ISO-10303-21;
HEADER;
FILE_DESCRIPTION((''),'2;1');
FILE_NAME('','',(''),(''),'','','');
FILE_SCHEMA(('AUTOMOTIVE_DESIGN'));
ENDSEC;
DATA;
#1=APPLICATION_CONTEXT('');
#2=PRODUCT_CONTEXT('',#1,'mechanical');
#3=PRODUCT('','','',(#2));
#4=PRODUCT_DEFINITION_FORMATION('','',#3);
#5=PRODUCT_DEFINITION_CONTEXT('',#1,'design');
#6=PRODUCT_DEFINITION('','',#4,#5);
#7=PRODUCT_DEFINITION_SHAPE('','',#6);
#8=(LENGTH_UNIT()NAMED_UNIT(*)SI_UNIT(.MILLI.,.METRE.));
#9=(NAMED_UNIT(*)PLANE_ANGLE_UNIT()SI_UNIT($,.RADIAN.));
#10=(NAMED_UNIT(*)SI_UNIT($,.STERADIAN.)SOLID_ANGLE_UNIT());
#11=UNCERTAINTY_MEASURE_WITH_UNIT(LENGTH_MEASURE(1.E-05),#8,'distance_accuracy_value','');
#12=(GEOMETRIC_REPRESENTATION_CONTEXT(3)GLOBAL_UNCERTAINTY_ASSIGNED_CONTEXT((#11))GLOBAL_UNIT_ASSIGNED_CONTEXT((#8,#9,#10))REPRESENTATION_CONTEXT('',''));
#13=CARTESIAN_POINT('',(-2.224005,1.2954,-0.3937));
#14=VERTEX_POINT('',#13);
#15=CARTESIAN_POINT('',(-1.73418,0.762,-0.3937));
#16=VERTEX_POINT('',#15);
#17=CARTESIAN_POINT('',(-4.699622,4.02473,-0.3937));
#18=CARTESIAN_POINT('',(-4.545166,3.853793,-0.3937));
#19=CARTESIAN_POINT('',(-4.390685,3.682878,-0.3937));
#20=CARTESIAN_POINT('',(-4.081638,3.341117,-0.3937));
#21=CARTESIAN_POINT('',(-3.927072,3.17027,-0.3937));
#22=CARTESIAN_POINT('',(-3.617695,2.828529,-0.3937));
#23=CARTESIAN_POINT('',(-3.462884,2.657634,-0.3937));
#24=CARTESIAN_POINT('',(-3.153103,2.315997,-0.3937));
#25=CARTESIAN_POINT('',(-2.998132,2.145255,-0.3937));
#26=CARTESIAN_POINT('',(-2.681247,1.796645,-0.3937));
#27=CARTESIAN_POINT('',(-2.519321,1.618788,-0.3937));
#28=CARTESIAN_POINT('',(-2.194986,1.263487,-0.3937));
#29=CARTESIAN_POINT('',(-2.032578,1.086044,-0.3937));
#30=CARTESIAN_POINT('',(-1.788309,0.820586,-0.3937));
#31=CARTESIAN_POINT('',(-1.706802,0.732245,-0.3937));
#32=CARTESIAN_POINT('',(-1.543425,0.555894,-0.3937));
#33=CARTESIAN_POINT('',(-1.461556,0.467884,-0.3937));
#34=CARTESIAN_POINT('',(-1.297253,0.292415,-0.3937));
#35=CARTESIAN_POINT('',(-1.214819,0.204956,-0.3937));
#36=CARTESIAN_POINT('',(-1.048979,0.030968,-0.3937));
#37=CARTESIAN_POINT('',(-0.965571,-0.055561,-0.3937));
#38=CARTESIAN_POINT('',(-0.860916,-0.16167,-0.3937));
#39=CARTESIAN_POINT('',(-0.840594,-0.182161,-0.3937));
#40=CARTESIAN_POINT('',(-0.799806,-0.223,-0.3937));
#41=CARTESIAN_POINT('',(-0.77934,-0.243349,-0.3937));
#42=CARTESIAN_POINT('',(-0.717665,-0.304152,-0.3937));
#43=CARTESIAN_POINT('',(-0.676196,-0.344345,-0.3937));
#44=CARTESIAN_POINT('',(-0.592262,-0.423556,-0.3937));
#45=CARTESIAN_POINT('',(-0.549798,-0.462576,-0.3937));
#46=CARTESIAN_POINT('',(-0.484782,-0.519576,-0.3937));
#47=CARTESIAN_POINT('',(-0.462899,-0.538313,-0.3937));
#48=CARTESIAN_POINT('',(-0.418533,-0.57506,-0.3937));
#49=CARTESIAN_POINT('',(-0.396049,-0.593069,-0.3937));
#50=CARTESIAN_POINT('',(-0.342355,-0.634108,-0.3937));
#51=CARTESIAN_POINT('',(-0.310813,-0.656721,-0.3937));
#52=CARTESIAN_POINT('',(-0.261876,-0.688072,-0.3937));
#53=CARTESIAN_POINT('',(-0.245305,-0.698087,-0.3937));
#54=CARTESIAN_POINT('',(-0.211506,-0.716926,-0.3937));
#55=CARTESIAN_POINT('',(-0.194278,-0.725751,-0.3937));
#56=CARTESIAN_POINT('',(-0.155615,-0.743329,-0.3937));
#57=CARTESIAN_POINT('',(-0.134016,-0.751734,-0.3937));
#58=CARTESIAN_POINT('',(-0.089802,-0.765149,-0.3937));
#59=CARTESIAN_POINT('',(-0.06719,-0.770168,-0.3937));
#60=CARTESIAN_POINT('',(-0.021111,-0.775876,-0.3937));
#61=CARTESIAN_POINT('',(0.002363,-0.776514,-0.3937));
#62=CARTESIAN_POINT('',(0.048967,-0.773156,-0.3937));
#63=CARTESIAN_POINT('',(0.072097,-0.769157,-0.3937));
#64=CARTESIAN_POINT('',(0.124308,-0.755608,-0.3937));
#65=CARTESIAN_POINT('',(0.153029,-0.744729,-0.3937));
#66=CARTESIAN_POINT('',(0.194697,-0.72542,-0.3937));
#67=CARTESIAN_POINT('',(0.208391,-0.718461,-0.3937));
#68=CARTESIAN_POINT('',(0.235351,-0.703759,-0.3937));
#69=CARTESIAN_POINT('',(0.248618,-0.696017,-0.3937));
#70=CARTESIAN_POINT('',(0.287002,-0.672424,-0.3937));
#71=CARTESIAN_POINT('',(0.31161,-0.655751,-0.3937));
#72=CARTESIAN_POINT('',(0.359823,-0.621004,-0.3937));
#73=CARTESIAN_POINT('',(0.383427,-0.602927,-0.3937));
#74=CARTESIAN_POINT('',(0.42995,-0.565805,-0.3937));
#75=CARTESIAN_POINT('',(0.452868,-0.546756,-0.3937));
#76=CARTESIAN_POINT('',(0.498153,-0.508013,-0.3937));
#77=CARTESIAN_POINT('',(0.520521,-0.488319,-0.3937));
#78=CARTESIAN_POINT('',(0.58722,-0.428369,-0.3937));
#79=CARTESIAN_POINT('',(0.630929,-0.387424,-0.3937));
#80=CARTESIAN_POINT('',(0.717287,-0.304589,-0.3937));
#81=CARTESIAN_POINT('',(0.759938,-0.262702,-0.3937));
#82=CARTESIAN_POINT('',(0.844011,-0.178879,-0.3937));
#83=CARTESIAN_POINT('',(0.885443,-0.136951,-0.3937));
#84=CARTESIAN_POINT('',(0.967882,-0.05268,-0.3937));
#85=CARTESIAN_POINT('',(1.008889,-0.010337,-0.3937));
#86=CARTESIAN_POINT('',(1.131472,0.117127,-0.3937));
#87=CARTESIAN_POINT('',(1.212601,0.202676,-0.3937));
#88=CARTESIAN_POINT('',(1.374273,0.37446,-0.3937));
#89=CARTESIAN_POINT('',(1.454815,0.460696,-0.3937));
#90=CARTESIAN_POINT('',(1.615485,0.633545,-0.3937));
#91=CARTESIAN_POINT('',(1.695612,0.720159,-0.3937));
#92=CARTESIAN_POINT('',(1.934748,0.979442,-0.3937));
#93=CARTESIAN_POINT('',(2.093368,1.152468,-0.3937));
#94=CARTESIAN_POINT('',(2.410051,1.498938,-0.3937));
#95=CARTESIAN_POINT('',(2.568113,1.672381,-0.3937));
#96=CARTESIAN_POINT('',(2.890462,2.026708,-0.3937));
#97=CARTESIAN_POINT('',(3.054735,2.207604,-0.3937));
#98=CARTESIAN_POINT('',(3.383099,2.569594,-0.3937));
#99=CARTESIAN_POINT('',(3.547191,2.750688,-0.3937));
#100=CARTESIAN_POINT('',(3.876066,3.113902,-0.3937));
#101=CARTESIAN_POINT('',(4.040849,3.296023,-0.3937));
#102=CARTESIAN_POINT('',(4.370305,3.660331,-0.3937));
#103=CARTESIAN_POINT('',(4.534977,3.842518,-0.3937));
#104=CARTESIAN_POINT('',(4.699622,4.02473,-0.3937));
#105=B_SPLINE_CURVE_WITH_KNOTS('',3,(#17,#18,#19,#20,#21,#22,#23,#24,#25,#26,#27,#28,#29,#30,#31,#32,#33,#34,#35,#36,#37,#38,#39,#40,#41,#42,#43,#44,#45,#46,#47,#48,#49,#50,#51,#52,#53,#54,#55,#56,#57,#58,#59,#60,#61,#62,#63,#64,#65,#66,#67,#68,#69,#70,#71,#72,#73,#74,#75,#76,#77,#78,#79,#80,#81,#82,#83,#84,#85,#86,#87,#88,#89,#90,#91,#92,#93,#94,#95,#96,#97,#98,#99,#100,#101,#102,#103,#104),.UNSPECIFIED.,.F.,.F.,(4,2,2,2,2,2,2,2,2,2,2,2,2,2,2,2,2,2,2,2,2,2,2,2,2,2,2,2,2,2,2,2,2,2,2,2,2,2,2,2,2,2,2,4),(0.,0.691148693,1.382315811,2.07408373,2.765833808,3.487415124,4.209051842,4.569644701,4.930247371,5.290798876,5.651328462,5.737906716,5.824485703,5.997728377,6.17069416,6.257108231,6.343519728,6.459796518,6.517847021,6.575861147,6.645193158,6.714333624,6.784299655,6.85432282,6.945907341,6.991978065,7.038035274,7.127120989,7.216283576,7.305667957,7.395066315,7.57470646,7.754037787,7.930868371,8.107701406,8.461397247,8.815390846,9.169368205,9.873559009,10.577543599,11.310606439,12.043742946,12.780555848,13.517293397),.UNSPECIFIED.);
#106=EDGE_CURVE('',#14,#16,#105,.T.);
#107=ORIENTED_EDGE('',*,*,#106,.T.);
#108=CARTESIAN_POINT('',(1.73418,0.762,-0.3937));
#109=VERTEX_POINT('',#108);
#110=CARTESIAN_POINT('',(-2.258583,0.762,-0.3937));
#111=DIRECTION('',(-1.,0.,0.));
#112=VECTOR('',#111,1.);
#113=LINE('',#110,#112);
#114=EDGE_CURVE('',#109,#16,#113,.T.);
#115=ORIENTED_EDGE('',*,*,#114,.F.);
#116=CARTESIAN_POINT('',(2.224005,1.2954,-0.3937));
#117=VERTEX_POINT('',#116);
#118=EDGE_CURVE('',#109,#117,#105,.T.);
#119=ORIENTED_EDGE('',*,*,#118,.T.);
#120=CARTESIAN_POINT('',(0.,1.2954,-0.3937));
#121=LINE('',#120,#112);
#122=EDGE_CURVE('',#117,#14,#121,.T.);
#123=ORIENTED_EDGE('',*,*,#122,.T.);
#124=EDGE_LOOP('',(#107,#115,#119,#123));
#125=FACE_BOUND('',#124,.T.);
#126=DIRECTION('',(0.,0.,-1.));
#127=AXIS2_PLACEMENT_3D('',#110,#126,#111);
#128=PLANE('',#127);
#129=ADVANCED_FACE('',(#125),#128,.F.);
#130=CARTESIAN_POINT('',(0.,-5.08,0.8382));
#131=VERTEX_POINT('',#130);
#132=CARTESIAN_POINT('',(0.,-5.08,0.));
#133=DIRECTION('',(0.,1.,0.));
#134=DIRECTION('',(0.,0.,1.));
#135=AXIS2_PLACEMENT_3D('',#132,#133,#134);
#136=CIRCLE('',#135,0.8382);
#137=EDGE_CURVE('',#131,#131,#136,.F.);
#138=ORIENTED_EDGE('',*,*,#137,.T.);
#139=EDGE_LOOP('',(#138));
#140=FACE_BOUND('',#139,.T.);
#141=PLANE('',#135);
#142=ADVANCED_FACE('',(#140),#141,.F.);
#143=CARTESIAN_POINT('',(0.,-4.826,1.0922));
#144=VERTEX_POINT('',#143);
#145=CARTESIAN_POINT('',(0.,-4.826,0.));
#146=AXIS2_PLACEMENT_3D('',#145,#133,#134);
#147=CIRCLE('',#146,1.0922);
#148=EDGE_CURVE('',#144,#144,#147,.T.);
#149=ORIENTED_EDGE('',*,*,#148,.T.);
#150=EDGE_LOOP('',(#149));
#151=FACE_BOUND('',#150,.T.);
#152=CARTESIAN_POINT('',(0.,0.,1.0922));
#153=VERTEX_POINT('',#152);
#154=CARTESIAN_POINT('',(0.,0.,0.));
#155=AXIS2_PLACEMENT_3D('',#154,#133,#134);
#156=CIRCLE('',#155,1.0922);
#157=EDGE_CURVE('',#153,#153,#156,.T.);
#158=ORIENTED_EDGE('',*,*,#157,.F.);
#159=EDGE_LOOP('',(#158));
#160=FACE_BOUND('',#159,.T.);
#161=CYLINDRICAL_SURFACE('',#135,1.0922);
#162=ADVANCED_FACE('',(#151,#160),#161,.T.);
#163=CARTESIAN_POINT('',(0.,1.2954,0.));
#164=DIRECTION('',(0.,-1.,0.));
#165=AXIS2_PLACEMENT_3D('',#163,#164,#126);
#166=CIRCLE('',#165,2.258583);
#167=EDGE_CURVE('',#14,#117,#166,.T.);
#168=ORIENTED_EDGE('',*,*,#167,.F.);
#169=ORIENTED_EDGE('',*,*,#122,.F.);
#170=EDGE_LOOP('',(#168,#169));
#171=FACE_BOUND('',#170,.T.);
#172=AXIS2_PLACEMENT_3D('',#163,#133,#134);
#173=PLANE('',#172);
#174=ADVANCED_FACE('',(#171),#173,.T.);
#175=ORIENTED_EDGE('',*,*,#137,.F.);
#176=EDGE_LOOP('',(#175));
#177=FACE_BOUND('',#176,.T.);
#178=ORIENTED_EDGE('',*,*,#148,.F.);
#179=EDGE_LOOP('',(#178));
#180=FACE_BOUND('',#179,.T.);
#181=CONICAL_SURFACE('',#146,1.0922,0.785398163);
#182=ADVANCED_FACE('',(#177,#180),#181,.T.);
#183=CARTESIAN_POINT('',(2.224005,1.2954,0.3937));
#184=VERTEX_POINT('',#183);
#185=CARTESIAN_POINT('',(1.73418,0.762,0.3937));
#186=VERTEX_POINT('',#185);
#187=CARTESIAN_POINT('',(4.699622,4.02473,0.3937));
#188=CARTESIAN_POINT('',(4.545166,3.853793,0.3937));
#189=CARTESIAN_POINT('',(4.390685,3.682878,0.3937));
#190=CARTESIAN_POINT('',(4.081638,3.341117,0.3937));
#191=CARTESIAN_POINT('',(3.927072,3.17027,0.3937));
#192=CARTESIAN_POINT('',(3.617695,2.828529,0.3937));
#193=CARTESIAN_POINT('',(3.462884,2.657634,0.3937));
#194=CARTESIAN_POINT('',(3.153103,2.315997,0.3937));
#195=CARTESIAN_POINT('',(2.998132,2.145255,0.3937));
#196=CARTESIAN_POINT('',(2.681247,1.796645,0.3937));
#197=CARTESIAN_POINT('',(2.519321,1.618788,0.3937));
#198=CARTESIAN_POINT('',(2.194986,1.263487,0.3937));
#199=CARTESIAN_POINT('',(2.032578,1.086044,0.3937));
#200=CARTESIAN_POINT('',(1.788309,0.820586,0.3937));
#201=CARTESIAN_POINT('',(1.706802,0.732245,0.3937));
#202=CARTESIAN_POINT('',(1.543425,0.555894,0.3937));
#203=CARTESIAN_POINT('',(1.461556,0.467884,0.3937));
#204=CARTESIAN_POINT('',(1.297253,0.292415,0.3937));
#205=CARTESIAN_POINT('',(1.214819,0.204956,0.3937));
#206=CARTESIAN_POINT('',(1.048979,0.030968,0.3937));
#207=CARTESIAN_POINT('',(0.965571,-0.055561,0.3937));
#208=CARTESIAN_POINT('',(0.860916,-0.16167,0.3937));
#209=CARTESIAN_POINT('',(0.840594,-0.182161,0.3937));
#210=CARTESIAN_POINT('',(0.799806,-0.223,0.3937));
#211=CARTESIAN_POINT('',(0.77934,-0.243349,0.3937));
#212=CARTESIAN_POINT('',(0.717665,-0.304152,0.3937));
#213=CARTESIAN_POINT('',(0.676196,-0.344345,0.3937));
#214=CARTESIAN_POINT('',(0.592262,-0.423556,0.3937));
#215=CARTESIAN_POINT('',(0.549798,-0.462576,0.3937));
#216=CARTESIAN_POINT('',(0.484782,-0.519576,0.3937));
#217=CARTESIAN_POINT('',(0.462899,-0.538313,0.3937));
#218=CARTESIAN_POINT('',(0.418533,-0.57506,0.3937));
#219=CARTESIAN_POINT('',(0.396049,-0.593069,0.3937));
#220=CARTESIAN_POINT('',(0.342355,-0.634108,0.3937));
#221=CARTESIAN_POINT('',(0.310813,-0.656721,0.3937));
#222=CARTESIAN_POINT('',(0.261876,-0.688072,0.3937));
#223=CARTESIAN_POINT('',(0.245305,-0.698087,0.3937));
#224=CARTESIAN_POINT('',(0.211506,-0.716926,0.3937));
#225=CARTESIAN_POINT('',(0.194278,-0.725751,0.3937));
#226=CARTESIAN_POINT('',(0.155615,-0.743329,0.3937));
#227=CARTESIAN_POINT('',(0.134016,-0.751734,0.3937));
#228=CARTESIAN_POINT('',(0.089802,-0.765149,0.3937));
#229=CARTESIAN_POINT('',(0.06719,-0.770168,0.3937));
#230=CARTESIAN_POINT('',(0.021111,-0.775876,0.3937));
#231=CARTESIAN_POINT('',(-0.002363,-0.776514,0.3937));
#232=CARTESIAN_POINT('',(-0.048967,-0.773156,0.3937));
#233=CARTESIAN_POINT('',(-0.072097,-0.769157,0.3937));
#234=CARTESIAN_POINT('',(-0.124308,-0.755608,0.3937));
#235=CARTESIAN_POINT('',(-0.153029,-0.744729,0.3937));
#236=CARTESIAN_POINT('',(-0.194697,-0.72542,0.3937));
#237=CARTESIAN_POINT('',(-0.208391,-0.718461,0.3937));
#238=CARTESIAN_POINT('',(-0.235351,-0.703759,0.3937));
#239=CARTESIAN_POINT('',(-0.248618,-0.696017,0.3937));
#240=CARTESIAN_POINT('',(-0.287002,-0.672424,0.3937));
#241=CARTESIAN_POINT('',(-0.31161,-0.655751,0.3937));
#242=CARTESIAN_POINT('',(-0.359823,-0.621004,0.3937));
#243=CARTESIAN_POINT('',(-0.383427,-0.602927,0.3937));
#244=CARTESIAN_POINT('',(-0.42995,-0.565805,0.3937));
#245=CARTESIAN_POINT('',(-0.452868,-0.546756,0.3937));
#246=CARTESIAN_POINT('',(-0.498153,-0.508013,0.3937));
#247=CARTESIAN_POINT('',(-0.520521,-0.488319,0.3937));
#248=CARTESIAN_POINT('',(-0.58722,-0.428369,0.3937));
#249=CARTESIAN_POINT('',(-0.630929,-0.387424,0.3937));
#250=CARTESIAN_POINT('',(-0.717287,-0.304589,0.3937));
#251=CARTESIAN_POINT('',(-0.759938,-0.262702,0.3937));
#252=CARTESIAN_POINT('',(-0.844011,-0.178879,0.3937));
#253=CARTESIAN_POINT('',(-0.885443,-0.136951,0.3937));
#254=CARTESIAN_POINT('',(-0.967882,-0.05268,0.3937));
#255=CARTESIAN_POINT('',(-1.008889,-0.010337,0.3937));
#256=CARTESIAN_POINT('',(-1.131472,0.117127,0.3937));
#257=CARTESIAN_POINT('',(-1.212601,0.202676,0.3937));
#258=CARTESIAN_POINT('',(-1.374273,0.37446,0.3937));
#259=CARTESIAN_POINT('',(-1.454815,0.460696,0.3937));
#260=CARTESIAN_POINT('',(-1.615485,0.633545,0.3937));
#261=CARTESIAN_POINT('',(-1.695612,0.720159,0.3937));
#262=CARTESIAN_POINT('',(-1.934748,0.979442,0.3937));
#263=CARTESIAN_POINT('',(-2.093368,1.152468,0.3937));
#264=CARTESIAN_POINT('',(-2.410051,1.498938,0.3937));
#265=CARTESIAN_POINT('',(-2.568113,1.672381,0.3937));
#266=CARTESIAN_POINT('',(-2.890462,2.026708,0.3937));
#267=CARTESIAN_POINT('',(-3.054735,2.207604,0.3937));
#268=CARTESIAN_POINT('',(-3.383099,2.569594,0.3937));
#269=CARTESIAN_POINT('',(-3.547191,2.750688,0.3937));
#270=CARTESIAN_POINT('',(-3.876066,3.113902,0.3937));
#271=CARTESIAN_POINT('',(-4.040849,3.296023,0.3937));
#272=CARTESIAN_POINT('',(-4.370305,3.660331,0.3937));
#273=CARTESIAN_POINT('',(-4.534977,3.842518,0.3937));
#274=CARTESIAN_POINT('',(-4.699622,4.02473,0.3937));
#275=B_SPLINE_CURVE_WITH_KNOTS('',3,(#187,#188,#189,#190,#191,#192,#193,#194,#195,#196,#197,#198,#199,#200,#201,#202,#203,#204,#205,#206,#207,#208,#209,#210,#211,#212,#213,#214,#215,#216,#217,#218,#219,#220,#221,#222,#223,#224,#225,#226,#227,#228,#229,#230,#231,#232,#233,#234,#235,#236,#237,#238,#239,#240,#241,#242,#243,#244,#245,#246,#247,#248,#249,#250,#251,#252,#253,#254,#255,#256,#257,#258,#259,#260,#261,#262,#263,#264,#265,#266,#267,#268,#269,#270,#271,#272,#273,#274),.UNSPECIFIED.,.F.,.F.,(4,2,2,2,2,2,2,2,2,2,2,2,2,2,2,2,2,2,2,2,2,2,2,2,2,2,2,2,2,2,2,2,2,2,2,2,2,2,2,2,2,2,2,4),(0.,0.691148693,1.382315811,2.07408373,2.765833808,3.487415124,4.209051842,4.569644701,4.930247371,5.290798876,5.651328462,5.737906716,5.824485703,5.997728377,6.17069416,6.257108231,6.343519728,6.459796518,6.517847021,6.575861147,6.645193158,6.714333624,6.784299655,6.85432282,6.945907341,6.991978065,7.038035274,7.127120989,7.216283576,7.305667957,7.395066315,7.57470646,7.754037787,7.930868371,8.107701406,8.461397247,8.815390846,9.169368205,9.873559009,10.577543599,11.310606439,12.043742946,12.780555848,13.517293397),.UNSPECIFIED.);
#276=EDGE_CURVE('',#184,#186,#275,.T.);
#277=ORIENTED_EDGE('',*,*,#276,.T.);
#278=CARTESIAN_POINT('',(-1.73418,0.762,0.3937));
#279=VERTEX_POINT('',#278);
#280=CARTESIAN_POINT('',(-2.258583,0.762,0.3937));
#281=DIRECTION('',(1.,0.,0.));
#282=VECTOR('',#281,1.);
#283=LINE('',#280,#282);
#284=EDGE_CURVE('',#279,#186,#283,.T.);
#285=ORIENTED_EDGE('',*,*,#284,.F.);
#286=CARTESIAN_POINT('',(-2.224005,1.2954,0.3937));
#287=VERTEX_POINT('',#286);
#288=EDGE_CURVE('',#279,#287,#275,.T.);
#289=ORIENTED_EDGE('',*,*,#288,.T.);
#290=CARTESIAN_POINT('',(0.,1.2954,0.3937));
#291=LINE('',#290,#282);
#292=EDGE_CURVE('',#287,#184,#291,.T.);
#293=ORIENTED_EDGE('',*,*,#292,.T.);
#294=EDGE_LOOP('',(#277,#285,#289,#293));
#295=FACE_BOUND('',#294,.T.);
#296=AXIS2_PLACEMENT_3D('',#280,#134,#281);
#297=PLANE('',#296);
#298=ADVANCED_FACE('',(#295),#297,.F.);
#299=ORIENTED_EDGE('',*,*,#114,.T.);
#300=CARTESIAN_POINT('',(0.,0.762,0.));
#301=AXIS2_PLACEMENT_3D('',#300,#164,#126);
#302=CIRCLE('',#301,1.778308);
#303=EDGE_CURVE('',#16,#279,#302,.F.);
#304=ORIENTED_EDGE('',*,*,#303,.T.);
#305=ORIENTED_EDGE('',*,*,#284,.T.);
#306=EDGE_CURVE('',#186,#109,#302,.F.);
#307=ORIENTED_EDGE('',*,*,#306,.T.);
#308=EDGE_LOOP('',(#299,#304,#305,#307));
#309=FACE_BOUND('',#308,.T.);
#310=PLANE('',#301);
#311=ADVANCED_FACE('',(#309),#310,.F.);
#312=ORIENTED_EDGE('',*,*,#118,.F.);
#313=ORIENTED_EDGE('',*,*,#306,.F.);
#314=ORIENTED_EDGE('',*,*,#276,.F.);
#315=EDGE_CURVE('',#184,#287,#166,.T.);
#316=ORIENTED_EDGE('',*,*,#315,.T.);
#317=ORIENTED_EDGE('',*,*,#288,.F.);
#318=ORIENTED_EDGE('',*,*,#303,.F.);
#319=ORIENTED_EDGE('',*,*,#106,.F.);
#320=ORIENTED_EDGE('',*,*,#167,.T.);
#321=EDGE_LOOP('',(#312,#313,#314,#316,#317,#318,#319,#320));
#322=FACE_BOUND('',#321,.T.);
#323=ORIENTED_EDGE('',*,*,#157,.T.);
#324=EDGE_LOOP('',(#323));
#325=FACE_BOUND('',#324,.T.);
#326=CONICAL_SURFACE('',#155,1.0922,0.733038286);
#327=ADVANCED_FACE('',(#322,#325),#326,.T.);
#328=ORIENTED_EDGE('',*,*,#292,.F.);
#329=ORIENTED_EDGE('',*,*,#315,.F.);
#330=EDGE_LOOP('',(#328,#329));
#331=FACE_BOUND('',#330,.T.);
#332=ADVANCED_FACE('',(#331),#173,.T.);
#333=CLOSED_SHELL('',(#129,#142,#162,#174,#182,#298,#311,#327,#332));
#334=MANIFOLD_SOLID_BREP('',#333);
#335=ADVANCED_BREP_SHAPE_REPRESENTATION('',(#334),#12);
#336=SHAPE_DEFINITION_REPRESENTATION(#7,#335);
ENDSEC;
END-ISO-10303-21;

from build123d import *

# Parameters (mm, degrees)
SKETCH1_R     = 1.0922
SHAFT_DEPTH   = 5.08
SKETCH4_W     = 4.517166798
SKETCH4_H     = 0.7874
SLOT_DEPTH    = 0.5334
CHAMFER1_SIZE = 0.254


with BuildPart() as part:
    # Sketch1 → Shaft (new body)
    with BuildSketch(Plane(origin=(0, 0, 0), x_dir=(1, 0, 0), z_dir=(0, 1, 0))):
        with Locations(Location((0, 0, 0), (0, 0, 270))):
            Circle(SKETCH1_R)
    extrude(amount=-SHAFT_DEPTH)

    # Sketch3 → Head (revolve)
    with BuildSketch(Plane.XY, mode=Mode.PRIVATE) as head_sk:
        Polygon((0, 0), (0, 1.2954), (2.258583399, 1.2954), (1.0922, 0), align=None)
    revolve(head_sk.sketch.rotate(Axis((0, 0, 0), (0, 1, 0)), 270), axis=Axis((0, 0, 0), (0, 1, 0)))

    # Sketch4 → Slot (cut)
    with BuildSketch(Plane(origin=(0, 1.2954, 0), x_dir=(1, 0, 0), z_dir=(0, 1, 0))):
        Rectangle(SKETCH4_W, SKETCH4_H)
    extrude(amount=-SLOT_DEPTH, mode=Mode.SUBTRACT)

    # Chamfer1
    chamfer1_edges = [part.edges().sort_by_distance(p)[0] for p in [
        (0, -5.08, -1.0922),
    ]]
    chamfer(chamfer1_edges, length=CHAMFER1_SIZE)


solid = part.part
